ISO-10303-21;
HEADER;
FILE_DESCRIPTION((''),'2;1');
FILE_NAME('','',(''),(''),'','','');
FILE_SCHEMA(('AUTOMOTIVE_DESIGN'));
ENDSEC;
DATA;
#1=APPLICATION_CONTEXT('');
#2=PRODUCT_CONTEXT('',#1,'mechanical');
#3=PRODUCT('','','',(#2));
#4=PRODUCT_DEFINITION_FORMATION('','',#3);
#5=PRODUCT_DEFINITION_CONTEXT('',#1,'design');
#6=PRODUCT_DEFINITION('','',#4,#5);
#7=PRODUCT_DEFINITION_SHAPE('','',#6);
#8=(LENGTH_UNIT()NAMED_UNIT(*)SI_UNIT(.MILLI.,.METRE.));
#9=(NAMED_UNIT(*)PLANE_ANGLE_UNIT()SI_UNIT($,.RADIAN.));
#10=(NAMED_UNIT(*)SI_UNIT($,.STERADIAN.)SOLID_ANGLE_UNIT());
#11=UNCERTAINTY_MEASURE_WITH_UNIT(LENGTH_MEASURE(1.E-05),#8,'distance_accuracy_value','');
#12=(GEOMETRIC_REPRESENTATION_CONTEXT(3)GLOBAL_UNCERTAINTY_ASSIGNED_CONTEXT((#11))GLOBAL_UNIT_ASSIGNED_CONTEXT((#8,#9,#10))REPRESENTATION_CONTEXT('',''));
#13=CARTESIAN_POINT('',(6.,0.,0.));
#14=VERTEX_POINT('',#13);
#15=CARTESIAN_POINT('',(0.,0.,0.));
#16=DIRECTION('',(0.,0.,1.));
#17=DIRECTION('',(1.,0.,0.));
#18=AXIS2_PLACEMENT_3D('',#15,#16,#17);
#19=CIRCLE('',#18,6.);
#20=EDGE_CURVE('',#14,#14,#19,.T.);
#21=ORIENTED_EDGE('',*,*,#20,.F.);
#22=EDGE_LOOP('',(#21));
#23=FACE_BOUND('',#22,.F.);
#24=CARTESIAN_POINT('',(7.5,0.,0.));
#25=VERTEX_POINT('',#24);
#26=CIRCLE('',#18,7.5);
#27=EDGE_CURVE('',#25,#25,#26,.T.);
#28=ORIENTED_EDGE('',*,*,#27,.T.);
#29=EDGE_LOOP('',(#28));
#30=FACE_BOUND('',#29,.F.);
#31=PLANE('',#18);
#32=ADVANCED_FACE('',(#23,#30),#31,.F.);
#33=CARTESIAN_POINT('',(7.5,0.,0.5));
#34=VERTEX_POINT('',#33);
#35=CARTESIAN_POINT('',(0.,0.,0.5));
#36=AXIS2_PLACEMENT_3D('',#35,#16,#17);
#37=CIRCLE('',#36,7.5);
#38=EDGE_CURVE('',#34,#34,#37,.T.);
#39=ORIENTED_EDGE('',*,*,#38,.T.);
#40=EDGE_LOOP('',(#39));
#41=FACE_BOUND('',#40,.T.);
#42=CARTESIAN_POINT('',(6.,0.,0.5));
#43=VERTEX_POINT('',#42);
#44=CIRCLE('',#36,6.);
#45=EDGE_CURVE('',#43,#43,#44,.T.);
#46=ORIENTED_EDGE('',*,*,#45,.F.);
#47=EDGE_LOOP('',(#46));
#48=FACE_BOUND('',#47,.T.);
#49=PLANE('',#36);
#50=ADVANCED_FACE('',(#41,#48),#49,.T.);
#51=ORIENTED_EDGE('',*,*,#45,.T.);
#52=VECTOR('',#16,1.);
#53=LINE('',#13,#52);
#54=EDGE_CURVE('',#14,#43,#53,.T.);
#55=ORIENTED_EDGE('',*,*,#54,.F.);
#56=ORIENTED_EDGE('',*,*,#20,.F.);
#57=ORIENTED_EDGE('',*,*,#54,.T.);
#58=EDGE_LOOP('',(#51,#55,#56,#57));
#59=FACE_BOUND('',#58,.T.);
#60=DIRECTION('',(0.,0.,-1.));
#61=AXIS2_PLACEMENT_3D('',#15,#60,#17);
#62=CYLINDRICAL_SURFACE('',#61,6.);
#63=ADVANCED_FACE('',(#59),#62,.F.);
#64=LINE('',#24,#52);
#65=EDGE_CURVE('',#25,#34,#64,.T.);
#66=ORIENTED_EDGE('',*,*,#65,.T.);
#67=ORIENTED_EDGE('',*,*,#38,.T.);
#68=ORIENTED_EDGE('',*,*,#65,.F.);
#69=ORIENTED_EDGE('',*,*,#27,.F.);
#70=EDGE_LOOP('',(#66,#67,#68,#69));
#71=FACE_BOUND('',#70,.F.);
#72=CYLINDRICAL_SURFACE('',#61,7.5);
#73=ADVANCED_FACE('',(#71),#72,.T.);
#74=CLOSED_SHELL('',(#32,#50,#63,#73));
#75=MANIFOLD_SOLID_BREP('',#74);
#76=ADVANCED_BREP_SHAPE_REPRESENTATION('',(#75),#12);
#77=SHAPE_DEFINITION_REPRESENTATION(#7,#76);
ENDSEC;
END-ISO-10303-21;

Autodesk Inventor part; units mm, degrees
ref_plane "YZ Plane" through (0, 0, 0) normal (1, 0, 0) x (0, 1, 0)
ref_plane "XZ Plane" through (0, 0, 0) normal (0, 1, 0) x (-1, 0, 0)
ref_plane "XY Plane" through (0, 0, 0) normal (0, 0, 1) x (1, 0, 0)
sketch "スケッチ1" plane through (0, 0, 0) normal (0, 0, 1) x (1, 0, 0)
  circle A0 centre (0, 0) radius 6
  circle A1 centre (0, 0) radius 7.5
  dimension "d0" = 12
  dimension "d1" = 15
extrude "押し出し1" add sketch "スケッチ1" along normal blind 0.5
properties part number "シムリング1215,0,5t" material "鋼、高強度、低合金"
